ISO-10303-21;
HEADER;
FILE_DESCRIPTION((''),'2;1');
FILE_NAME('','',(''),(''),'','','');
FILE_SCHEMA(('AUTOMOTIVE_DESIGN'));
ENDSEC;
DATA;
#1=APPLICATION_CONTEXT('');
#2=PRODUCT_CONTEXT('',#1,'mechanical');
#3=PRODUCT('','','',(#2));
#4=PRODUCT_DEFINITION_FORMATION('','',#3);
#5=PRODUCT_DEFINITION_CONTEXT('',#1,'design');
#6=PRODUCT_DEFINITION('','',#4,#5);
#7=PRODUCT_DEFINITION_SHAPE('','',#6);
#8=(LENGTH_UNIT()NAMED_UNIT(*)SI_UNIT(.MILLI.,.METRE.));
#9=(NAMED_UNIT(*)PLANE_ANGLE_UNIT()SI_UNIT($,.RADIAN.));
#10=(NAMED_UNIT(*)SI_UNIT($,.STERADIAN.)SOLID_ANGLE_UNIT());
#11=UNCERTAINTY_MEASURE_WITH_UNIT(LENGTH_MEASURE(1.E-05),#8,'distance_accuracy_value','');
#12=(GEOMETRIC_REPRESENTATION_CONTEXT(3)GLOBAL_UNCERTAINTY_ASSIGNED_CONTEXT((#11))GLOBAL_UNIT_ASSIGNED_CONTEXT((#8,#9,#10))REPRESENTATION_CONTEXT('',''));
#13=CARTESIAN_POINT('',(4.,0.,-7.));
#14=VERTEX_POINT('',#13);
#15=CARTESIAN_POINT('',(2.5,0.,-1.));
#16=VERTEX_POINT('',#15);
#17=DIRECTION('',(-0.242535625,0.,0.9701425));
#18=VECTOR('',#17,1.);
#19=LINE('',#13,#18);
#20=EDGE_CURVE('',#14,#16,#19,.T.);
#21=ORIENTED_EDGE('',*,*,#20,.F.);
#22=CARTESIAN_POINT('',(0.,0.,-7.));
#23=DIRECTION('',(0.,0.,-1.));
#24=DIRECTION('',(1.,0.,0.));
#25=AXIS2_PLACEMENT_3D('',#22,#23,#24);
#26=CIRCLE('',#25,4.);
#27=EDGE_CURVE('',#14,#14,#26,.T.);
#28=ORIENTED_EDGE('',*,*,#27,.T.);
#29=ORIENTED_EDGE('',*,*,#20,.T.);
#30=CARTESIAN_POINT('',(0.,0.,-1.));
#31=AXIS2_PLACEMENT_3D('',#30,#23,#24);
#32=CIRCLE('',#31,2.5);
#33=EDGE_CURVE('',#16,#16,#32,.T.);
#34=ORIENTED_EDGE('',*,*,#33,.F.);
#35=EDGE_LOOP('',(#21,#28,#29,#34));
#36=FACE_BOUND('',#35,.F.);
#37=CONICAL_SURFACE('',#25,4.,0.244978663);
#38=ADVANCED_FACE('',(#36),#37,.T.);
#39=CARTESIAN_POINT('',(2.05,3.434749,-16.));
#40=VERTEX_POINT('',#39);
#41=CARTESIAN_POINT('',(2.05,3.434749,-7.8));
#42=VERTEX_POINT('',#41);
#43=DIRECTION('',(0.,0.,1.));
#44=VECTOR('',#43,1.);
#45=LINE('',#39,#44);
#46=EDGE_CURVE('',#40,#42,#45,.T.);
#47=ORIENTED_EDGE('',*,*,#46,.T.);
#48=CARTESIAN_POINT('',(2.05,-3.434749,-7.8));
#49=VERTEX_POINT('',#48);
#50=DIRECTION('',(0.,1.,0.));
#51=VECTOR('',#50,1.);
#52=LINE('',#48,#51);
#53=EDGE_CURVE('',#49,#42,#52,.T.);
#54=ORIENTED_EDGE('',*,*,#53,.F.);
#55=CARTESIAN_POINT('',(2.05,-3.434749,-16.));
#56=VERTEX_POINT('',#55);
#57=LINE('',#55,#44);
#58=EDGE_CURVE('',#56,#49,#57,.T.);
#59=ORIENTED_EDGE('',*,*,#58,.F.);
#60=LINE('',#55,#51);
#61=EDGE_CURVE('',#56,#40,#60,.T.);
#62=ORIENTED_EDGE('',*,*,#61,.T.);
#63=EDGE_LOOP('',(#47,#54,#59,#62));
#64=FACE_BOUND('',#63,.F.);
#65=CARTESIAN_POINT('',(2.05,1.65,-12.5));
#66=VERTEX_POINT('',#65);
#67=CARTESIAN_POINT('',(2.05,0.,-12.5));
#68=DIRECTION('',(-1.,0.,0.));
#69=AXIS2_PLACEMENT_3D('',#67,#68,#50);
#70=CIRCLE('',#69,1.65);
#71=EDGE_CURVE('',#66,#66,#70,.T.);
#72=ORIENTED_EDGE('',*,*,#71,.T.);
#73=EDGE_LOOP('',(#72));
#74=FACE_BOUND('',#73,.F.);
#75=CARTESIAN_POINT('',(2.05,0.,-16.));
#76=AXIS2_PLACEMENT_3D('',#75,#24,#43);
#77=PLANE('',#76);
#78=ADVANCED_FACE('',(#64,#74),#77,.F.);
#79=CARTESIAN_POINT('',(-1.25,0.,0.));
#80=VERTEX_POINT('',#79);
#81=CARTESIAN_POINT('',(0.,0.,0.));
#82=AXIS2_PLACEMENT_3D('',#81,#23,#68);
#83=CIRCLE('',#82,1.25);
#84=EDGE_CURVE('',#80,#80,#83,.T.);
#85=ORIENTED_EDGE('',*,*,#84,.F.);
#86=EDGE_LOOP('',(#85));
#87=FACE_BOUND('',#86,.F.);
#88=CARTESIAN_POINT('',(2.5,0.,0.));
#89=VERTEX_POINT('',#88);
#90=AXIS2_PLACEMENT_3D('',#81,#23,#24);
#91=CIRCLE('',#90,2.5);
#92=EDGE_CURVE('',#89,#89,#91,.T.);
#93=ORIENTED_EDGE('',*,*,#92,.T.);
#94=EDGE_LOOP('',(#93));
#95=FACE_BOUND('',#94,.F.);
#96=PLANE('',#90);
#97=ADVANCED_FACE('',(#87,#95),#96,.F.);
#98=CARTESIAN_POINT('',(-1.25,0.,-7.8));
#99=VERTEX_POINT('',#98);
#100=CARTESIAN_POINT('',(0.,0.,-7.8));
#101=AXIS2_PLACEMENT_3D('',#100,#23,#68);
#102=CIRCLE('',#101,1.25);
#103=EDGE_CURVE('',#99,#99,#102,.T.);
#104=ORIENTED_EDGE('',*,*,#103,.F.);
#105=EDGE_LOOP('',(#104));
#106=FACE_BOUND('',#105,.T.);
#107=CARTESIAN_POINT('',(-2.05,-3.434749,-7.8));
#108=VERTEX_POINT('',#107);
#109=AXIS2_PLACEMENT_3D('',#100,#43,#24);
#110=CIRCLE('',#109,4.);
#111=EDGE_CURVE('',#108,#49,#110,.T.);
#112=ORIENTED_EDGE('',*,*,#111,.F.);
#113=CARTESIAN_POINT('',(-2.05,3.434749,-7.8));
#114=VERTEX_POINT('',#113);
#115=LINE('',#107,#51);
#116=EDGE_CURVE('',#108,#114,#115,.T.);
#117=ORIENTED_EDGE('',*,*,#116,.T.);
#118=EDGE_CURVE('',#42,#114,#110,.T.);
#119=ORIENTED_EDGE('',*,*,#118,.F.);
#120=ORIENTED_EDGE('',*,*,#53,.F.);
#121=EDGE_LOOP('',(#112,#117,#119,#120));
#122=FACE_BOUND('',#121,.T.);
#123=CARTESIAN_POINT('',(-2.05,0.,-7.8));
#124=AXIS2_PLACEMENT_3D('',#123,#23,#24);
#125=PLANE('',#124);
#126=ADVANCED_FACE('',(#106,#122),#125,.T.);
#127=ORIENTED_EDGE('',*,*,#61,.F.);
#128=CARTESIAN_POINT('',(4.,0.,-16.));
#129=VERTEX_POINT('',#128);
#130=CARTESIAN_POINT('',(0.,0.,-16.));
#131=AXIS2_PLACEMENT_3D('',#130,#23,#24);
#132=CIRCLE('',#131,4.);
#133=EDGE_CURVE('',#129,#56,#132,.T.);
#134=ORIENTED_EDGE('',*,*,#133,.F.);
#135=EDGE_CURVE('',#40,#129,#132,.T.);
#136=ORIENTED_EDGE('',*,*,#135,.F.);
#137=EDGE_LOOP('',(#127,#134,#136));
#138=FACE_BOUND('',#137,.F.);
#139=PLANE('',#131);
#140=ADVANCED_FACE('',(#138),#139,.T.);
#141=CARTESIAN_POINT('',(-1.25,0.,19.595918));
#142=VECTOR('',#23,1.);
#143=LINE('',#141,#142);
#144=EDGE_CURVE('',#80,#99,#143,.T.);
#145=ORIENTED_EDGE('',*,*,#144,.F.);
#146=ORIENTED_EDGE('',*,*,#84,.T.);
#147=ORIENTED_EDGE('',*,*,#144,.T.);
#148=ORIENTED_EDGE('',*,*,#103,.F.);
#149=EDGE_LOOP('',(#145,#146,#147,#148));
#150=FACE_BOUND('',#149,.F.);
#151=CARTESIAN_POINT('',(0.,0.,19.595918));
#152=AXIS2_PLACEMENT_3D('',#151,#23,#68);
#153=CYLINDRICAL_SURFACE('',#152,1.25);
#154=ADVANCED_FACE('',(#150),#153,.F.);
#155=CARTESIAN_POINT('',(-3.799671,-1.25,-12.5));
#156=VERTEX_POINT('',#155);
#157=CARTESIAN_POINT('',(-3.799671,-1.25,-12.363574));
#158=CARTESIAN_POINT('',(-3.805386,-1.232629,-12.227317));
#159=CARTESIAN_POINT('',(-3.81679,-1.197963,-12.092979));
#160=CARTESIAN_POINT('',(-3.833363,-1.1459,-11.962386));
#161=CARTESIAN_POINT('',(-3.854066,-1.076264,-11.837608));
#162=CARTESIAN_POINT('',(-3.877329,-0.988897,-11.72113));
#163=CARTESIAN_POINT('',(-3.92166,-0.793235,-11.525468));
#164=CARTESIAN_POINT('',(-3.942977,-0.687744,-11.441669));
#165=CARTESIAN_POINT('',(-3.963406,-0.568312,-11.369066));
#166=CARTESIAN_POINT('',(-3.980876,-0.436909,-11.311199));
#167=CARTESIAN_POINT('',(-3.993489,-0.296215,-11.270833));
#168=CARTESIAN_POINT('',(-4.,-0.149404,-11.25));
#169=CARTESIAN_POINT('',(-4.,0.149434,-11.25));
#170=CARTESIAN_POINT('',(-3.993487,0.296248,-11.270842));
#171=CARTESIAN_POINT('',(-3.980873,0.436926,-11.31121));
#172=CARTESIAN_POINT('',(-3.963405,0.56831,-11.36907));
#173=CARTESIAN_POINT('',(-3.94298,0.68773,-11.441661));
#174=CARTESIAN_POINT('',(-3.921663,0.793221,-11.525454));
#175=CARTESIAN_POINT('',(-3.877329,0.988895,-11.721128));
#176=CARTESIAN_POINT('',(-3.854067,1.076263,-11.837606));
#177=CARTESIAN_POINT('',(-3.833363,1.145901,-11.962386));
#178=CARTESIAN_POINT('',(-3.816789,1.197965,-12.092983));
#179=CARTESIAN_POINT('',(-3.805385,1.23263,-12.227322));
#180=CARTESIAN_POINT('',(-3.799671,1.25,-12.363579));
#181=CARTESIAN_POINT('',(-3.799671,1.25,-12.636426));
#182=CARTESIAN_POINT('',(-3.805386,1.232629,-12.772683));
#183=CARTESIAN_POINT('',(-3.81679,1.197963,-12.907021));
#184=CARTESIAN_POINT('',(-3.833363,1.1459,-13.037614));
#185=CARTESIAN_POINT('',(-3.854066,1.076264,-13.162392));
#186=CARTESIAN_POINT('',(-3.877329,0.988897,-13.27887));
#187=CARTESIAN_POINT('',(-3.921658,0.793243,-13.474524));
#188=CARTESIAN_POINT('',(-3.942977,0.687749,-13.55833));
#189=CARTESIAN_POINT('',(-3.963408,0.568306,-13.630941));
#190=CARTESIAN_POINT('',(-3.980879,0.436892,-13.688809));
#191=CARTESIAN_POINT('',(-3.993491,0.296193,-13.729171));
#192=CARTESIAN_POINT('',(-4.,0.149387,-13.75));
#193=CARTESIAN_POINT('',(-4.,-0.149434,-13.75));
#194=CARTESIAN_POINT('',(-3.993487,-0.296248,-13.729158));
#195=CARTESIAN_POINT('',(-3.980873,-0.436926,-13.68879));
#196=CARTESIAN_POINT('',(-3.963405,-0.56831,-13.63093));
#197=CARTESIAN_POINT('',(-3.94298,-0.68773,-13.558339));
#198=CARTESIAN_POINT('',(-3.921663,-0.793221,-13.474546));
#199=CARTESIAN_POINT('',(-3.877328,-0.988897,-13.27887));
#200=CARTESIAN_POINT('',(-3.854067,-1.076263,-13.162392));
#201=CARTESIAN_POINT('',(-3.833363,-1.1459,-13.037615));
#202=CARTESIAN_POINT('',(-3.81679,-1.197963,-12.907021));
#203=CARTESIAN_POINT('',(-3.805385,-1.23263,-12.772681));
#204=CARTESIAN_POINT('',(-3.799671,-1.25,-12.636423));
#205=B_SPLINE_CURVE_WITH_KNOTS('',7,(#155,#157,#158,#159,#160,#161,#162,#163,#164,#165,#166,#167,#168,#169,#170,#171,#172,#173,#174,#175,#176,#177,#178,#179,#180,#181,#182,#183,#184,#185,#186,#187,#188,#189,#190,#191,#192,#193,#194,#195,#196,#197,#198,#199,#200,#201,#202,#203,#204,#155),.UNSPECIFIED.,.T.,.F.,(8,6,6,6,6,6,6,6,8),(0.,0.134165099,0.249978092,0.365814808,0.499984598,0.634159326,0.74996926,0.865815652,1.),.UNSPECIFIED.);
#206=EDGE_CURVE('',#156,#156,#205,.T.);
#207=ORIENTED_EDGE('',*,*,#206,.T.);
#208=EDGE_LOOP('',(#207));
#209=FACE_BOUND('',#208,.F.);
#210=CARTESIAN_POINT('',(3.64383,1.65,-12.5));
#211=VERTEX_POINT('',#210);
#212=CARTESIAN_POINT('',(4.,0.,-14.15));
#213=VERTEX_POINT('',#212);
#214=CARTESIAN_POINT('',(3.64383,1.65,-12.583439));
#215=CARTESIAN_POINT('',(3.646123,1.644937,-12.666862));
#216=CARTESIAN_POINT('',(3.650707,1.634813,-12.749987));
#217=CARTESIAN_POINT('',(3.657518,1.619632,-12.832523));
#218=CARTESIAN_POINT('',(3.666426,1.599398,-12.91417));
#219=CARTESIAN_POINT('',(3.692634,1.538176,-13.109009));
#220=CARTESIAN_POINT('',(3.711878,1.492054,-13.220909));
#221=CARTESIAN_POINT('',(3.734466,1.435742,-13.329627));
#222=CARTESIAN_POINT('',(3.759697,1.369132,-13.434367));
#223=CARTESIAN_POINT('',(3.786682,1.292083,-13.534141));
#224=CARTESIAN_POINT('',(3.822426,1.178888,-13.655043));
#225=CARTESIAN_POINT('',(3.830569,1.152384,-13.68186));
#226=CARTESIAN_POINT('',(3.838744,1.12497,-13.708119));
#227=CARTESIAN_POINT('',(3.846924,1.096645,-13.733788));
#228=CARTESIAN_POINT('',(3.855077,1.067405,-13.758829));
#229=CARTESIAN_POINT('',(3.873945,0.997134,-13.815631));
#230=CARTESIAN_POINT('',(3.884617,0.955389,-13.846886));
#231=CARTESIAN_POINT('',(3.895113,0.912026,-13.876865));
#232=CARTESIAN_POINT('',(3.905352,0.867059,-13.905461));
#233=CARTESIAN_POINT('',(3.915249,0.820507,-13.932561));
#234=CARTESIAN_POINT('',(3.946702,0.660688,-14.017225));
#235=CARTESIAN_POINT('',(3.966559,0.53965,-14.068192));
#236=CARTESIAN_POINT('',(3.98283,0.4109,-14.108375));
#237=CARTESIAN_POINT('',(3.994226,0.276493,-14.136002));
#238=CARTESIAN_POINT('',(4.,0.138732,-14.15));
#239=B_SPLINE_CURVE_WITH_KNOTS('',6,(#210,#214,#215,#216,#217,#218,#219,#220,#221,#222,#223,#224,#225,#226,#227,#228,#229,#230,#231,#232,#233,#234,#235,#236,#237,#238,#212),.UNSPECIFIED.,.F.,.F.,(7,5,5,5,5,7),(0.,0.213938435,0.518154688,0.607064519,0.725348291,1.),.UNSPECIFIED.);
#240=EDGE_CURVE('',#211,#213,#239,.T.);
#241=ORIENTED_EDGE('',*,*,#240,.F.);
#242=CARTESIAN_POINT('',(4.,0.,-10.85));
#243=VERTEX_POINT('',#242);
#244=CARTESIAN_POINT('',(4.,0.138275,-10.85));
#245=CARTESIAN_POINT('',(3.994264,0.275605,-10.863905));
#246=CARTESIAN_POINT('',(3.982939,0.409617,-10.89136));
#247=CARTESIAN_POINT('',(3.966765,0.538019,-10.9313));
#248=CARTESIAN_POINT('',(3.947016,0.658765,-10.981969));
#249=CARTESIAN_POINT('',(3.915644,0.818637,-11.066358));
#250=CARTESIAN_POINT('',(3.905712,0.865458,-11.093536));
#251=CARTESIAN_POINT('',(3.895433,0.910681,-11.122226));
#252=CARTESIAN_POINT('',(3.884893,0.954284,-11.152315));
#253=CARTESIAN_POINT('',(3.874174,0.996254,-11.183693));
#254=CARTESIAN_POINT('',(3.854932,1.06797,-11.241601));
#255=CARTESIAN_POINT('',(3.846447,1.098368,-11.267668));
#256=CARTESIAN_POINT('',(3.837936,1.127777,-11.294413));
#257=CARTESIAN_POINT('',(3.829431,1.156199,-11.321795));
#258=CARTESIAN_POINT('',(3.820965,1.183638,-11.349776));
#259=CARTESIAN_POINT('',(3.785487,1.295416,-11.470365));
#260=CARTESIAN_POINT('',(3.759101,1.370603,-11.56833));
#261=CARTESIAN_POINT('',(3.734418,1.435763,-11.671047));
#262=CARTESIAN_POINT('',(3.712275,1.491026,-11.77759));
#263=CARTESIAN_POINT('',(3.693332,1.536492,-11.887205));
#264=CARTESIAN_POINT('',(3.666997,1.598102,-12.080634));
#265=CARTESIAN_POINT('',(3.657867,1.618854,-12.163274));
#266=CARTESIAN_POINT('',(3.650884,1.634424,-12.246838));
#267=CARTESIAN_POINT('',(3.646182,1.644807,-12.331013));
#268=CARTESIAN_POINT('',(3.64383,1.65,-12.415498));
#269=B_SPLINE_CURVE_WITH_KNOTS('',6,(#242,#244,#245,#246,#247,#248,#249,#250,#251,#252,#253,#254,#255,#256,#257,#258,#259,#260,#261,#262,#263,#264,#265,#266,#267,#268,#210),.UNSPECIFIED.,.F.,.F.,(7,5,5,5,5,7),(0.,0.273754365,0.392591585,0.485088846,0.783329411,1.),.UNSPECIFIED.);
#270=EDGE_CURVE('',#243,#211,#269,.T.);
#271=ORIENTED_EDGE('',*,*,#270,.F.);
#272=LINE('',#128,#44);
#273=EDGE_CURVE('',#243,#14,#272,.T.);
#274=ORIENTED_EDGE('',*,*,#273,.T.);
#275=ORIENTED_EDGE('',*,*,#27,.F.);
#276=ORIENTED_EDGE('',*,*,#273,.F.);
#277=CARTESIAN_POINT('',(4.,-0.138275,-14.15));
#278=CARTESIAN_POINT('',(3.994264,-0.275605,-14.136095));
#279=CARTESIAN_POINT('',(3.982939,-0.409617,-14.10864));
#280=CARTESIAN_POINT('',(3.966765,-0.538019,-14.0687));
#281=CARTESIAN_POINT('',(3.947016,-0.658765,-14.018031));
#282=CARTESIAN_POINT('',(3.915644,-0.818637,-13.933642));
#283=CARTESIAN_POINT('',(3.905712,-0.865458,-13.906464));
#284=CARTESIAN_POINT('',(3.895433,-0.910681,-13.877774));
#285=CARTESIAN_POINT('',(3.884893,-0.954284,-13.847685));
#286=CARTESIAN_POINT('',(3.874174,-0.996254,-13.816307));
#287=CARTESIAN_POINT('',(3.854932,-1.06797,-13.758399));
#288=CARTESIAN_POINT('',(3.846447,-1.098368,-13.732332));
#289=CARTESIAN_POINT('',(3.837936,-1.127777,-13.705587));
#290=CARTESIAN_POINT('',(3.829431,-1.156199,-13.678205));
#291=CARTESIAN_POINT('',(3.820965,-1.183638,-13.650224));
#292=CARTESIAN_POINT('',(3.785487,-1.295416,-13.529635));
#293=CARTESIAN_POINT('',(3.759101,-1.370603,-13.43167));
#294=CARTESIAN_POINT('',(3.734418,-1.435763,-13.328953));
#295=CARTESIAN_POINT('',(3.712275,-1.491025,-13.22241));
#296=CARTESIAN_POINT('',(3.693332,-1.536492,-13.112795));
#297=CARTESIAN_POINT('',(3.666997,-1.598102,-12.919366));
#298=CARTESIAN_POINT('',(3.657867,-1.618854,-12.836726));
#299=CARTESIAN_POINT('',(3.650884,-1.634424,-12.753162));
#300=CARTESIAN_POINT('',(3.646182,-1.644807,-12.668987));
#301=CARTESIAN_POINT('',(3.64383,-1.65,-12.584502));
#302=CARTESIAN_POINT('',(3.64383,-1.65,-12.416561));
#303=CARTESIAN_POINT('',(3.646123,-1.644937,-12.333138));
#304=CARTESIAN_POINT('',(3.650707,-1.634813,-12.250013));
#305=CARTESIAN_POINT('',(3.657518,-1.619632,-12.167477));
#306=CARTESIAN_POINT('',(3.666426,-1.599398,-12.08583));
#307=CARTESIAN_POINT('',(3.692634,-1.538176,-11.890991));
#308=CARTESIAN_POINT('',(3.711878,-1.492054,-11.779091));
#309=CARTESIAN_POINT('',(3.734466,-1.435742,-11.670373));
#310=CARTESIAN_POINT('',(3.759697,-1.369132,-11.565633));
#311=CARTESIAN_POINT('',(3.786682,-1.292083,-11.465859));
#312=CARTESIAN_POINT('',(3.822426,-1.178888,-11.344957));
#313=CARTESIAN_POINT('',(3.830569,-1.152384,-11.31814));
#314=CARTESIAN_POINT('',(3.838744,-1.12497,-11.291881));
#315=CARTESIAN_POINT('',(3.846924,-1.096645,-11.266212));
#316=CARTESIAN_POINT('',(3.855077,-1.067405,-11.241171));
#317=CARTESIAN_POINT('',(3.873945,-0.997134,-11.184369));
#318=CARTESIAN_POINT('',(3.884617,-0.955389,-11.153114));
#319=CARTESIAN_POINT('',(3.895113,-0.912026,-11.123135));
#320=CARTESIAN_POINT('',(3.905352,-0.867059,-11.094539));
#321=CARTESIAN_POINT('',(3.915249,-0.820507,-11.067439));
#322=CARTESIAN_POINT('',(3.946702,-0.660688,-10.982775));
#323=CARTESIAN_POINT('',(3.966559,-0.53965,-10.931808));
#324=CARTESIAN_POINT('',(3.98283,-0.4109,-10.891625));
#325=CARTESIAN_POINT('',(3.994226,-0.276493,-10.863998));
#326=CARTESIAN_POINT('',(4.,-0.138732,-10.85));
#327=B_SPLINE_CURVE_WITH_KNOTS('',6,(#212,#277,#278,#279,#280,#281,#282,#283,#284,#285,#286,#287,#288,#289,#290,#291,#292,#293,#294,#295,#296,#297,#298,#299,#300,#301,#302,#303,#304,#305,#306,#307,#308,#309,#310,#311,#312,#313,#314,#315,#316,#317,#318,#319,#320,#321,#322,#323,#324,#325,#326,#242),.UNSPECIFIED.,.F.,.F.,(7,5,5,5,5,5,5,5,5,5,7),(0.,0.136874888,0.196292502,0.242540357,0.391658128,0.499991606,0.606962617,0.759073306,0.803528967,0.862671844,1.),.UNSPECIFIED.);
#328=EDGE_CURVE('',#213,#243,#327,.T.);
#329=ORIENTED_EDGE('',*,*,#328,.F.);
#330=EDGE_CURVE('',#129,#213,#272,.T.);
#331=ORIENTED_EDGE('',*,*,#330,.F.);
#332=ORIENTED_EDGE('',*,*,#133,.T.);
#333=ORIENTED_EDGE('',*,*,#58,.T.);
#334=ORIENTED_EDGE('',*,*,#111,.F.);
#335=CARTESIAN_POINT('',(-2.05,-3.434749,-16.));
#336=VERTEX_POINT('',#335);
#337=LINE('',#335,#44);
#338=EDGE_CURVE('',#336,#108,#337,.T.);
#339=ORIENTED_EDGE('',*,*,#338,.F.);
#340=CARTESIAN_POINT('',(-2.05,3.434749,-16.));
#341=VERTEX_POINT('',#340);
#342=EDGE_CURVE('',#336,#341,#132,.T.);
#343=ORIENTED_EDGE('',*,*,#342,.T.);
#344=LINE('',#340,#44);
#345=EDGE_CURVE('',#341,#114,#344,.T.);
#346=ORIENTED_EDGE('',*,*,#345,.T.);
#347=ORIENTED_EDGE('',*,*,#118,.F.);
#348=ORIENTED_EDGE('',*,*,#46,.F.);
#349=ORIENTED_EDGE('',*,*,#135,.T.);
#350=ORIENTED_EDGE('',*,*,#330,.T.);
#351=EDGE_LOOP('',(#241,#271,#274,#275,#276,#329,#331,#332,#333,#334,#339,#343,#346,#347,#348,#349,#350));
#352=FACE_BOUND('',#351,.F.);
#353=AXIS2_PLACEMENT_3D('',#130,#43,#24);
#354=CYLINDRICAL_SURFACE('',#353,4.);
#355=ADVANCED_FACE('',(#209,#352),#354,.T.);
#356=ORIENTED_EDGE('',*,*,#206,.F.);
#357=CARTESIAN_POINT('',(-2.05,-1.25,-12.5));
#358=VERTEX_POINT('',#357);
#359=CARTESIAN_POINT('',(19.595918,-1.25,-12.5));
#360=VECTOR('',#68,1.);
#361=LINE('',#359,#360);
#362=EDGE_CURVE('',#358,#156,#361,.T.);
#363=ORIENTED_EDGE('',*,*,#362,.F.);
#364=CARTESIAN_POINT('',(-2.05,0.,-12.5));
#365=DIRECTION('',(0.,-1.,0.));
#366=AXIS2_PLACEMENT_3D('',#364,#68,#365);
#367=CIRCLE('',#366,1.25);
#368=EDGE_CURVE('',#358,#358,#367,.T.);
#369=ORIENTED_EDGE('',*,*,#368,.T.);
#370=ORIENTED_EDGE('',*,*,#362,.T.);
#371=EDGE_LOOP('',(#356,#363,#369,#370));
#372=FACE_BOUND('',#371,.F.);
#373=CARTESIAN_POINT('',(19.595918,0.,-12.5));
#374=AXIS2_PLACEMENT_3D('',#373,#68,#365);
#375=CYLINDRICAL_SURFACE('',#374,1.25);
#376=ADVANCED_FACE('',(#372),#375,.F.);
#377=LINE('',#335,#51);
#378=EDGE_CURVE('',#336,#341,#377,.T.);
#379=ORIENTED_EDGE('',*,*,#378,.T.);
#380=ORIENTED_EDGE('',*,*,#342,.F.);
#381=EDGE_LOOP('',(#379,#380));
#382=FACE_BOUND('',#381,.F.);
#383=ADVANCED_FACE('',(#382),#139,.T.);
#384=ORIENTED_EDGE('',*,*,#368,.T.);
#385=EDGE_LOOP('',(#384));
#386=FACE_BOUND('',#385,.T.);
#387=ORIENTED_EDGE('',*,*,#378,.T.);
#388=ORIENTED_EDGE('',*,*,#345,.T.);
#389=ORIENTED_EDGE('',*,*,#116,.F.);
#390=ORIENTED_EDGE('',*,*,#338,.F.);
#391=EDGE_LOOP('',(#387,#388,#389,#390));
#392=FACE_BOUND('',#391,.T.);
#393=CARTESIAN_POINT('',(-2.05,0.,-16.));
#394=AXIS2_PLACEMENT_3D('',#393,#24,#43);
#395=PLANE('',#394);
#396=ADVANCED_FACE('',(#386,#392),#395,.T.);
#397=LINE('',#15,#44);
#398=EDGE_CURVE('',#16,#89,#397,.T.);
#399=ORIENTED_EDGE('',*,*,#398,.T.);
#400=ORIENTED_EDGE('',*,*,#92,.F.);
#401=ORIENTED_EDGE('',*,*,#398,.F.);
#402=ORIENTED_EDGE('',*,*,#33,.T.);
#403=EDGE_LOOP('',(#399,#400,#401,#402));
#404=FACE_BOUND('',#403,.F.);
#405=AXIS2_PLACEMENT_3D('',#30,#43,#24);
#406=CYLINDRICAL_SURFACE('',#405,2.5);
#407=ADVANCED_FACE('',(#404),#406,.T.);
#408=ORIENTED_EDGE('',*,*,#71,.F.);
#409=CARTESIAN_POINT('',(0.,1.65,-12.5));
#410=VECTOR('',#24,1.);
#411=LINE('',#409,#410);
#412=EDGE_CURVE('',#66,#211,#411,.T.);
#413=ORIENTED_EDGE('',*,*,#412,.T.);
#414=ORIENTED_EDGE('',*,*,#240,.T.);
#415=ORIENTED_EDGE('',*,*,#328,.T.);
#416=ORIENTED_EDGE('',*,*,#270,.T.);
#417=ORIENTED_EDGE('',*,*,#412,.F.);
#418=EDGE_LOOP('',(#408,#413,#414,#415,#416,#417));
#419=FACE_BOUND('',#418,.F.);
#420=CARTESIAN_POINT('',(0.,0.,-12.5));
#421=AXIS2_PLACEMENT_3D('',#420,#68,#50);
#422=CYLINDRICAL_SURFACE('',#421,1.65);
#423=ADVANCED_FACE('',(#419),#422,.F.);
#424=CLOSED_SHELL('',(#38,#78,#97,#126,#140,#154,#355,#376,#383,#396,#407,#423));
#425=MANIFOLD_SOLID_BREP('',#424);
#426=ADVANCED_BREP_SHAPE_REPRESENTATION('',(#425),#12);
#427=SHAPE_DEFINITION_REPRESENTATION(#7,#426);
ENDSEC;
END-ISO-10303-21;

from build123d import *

# Parameters (mm, degrees)
F2_W          = 4.1
F2_H          = 8.2
F3_DEPTH      = 4.001
F3_DEPTH_BACK = 4.001
F5_D          = 3.3
F5_DEPTH      = 4.001
F6_D          = 2.5
F8_D          = 2.5


with BuildPart() as f1:
    # F0 (on Front) → F1 (revolve)
    with BuildSketch(Plane.XZ):
        Polygon((2.5, 0), (0, 0), (0, -16), (4, -16), (4, -7), (2.5, -1), align=None)
    revolve(axis=Axis((0, 0, -12.0333206053), (0, 0, -1)))

    # F2 (on Front) → F3 (cut, two sides)
    with BuildSketch(Plane.XZ) as f3_sk:
        with Locations((0, -11.9)):
            Rectangle(F2_W, F2_H)
    extrude(amount=F3_DEPTH, mode=Mode.SUBTRACT)
    extrude(f3_sk.sketch, amount=-F3_DEPTH_BACK, mode=Mode.SUBTRACT)

    # F5 (through all, one way)
    with BuildSketch(Plane(origin=(0, 0, 0), x_dir=(0, 1, 0), z_dir=(-1, 0, 0))):
        with Locations((0, 12.5)):
            Circle(F5_D / 2)
    extrude(amount=-F5_DEPTH, mode=Mode.SUBTRACT)

    # F6 (through all)
    with Locations(Plane.YZ):
        with Locations((0, -12.5)):
            Hole(F6_D / 2)

    # F8 (through all)
    with Locations(Plane.XY):
        with Locations((0, 0)):
            Hole(F8_D / 2)


solid = f1.part
